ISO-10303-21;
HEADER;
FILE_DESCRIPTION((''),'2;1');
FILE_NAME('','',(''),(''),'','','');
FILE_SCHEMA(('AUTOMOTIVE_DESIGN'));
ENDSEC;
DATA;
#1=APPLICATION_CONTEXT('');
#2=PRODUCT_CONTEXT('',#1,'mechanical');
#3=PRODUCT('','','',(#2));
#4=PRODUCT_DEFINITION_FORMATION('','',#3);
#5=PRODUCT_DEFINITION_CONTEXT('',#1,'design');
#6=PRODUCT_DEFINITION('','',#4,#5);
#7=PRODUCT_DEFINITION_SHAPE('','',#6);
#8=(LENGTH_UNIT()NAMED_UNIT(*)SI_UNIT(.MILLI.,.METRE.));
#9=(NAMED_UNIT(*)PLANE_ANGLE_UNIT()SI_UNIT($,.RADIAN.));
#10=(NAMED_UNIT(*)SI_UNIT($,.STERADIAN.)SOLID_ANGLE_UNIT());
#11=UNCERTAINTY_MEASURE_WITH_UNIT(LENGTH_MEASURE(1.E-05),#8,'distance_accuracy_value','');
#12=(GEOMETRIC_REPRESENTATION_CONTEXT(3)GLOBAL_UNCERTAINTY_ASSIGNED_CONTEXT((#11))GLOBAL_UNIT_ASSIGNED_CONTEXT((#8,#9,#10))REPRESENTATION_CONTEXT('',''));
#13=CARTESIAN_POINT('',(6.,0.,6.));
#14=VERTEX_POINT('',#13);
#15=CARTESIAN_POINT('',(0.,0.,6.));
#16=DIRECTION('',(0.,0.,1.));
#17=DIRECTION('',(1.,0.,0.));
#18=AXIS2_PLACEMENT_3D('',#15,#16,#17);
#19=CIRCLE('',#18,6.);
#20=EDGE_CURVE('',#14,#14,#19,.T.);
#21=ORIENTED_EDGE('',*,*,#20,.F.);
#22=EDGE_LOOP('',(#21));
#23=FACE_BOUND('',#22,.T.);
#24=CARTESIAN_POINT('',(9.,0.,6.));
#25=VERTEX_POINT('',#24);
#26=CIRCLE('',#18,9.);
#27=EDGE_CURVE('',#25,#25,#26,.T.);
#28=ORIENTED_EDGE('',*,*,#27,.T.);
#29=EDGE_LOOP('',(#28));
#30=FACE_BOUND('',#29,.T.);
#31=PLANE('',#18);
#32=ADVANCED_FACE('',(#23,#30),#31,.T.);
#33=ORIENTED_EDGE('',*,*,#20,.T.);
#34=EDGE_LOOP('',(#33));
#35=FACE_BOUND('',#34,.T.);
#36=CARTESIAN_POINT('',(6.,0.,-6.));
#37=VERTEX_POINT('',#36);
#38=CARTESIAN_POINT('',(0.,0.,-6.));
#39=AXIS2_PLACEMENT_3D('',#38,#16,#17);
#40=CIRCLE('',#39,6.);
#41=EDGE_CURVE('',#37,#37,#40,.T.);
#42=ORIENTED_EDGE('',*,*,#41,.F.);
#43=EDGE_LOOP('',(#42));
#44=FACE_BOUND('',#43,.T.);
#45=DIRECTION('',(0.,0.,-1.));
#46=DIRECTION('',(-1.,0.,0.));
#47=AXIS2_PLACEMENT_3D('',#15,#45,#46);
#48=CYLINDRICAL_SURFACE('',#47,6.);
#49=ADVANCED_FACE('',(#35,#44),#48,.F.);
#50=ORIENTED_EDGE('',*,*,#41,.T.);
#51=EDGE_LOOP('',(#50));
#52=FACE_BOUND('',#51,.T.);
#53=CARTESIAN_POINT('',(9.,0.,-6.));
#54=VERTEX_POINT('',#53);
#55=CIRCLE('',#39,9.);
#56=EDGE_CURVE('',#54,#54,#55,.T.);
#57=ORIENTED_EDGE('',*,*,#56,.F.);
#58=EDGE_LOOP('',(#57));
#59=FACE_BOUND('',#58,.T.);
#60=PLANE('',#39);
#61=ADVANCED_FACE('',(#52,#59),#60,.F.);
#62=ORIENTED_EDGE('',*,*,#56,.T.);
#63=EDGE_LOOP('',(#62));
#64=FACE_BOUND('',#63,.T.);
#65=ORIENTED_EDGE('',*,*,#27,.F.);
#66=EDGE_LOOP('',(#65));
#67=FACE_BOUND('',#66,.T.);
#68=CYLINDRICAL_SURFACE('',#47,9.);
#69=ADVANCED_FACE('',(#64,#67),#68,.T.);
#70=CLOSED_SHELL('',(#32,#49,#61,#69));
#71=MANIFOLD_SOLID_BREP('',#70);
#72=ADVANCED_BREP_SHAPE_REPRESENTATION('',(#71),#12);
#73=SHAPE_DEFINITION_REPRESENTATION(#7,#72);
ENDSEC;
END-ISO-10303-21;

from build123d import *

# Parameters (mm, degrees)
SKETCH1_R                      = 9
SKETCH1_R_2                    = 6
EX_BEARING_ENVELOPE_12MM_DEPTH = 6


with BuildPart() as part:
    # Sketch1 → EX_Bearing_Envelope_12mm (new, symmetric)
    with BuildSketch(Plane.XY):
        Circle(SKETCH1_R)
        Circle(SKETCH1_R_2, mode=Mode.SUBTRACT)
    extrude(amount=EX_BEARING_ENVELOPE_12MM_DEPTH, both=True)


solid = part.part
